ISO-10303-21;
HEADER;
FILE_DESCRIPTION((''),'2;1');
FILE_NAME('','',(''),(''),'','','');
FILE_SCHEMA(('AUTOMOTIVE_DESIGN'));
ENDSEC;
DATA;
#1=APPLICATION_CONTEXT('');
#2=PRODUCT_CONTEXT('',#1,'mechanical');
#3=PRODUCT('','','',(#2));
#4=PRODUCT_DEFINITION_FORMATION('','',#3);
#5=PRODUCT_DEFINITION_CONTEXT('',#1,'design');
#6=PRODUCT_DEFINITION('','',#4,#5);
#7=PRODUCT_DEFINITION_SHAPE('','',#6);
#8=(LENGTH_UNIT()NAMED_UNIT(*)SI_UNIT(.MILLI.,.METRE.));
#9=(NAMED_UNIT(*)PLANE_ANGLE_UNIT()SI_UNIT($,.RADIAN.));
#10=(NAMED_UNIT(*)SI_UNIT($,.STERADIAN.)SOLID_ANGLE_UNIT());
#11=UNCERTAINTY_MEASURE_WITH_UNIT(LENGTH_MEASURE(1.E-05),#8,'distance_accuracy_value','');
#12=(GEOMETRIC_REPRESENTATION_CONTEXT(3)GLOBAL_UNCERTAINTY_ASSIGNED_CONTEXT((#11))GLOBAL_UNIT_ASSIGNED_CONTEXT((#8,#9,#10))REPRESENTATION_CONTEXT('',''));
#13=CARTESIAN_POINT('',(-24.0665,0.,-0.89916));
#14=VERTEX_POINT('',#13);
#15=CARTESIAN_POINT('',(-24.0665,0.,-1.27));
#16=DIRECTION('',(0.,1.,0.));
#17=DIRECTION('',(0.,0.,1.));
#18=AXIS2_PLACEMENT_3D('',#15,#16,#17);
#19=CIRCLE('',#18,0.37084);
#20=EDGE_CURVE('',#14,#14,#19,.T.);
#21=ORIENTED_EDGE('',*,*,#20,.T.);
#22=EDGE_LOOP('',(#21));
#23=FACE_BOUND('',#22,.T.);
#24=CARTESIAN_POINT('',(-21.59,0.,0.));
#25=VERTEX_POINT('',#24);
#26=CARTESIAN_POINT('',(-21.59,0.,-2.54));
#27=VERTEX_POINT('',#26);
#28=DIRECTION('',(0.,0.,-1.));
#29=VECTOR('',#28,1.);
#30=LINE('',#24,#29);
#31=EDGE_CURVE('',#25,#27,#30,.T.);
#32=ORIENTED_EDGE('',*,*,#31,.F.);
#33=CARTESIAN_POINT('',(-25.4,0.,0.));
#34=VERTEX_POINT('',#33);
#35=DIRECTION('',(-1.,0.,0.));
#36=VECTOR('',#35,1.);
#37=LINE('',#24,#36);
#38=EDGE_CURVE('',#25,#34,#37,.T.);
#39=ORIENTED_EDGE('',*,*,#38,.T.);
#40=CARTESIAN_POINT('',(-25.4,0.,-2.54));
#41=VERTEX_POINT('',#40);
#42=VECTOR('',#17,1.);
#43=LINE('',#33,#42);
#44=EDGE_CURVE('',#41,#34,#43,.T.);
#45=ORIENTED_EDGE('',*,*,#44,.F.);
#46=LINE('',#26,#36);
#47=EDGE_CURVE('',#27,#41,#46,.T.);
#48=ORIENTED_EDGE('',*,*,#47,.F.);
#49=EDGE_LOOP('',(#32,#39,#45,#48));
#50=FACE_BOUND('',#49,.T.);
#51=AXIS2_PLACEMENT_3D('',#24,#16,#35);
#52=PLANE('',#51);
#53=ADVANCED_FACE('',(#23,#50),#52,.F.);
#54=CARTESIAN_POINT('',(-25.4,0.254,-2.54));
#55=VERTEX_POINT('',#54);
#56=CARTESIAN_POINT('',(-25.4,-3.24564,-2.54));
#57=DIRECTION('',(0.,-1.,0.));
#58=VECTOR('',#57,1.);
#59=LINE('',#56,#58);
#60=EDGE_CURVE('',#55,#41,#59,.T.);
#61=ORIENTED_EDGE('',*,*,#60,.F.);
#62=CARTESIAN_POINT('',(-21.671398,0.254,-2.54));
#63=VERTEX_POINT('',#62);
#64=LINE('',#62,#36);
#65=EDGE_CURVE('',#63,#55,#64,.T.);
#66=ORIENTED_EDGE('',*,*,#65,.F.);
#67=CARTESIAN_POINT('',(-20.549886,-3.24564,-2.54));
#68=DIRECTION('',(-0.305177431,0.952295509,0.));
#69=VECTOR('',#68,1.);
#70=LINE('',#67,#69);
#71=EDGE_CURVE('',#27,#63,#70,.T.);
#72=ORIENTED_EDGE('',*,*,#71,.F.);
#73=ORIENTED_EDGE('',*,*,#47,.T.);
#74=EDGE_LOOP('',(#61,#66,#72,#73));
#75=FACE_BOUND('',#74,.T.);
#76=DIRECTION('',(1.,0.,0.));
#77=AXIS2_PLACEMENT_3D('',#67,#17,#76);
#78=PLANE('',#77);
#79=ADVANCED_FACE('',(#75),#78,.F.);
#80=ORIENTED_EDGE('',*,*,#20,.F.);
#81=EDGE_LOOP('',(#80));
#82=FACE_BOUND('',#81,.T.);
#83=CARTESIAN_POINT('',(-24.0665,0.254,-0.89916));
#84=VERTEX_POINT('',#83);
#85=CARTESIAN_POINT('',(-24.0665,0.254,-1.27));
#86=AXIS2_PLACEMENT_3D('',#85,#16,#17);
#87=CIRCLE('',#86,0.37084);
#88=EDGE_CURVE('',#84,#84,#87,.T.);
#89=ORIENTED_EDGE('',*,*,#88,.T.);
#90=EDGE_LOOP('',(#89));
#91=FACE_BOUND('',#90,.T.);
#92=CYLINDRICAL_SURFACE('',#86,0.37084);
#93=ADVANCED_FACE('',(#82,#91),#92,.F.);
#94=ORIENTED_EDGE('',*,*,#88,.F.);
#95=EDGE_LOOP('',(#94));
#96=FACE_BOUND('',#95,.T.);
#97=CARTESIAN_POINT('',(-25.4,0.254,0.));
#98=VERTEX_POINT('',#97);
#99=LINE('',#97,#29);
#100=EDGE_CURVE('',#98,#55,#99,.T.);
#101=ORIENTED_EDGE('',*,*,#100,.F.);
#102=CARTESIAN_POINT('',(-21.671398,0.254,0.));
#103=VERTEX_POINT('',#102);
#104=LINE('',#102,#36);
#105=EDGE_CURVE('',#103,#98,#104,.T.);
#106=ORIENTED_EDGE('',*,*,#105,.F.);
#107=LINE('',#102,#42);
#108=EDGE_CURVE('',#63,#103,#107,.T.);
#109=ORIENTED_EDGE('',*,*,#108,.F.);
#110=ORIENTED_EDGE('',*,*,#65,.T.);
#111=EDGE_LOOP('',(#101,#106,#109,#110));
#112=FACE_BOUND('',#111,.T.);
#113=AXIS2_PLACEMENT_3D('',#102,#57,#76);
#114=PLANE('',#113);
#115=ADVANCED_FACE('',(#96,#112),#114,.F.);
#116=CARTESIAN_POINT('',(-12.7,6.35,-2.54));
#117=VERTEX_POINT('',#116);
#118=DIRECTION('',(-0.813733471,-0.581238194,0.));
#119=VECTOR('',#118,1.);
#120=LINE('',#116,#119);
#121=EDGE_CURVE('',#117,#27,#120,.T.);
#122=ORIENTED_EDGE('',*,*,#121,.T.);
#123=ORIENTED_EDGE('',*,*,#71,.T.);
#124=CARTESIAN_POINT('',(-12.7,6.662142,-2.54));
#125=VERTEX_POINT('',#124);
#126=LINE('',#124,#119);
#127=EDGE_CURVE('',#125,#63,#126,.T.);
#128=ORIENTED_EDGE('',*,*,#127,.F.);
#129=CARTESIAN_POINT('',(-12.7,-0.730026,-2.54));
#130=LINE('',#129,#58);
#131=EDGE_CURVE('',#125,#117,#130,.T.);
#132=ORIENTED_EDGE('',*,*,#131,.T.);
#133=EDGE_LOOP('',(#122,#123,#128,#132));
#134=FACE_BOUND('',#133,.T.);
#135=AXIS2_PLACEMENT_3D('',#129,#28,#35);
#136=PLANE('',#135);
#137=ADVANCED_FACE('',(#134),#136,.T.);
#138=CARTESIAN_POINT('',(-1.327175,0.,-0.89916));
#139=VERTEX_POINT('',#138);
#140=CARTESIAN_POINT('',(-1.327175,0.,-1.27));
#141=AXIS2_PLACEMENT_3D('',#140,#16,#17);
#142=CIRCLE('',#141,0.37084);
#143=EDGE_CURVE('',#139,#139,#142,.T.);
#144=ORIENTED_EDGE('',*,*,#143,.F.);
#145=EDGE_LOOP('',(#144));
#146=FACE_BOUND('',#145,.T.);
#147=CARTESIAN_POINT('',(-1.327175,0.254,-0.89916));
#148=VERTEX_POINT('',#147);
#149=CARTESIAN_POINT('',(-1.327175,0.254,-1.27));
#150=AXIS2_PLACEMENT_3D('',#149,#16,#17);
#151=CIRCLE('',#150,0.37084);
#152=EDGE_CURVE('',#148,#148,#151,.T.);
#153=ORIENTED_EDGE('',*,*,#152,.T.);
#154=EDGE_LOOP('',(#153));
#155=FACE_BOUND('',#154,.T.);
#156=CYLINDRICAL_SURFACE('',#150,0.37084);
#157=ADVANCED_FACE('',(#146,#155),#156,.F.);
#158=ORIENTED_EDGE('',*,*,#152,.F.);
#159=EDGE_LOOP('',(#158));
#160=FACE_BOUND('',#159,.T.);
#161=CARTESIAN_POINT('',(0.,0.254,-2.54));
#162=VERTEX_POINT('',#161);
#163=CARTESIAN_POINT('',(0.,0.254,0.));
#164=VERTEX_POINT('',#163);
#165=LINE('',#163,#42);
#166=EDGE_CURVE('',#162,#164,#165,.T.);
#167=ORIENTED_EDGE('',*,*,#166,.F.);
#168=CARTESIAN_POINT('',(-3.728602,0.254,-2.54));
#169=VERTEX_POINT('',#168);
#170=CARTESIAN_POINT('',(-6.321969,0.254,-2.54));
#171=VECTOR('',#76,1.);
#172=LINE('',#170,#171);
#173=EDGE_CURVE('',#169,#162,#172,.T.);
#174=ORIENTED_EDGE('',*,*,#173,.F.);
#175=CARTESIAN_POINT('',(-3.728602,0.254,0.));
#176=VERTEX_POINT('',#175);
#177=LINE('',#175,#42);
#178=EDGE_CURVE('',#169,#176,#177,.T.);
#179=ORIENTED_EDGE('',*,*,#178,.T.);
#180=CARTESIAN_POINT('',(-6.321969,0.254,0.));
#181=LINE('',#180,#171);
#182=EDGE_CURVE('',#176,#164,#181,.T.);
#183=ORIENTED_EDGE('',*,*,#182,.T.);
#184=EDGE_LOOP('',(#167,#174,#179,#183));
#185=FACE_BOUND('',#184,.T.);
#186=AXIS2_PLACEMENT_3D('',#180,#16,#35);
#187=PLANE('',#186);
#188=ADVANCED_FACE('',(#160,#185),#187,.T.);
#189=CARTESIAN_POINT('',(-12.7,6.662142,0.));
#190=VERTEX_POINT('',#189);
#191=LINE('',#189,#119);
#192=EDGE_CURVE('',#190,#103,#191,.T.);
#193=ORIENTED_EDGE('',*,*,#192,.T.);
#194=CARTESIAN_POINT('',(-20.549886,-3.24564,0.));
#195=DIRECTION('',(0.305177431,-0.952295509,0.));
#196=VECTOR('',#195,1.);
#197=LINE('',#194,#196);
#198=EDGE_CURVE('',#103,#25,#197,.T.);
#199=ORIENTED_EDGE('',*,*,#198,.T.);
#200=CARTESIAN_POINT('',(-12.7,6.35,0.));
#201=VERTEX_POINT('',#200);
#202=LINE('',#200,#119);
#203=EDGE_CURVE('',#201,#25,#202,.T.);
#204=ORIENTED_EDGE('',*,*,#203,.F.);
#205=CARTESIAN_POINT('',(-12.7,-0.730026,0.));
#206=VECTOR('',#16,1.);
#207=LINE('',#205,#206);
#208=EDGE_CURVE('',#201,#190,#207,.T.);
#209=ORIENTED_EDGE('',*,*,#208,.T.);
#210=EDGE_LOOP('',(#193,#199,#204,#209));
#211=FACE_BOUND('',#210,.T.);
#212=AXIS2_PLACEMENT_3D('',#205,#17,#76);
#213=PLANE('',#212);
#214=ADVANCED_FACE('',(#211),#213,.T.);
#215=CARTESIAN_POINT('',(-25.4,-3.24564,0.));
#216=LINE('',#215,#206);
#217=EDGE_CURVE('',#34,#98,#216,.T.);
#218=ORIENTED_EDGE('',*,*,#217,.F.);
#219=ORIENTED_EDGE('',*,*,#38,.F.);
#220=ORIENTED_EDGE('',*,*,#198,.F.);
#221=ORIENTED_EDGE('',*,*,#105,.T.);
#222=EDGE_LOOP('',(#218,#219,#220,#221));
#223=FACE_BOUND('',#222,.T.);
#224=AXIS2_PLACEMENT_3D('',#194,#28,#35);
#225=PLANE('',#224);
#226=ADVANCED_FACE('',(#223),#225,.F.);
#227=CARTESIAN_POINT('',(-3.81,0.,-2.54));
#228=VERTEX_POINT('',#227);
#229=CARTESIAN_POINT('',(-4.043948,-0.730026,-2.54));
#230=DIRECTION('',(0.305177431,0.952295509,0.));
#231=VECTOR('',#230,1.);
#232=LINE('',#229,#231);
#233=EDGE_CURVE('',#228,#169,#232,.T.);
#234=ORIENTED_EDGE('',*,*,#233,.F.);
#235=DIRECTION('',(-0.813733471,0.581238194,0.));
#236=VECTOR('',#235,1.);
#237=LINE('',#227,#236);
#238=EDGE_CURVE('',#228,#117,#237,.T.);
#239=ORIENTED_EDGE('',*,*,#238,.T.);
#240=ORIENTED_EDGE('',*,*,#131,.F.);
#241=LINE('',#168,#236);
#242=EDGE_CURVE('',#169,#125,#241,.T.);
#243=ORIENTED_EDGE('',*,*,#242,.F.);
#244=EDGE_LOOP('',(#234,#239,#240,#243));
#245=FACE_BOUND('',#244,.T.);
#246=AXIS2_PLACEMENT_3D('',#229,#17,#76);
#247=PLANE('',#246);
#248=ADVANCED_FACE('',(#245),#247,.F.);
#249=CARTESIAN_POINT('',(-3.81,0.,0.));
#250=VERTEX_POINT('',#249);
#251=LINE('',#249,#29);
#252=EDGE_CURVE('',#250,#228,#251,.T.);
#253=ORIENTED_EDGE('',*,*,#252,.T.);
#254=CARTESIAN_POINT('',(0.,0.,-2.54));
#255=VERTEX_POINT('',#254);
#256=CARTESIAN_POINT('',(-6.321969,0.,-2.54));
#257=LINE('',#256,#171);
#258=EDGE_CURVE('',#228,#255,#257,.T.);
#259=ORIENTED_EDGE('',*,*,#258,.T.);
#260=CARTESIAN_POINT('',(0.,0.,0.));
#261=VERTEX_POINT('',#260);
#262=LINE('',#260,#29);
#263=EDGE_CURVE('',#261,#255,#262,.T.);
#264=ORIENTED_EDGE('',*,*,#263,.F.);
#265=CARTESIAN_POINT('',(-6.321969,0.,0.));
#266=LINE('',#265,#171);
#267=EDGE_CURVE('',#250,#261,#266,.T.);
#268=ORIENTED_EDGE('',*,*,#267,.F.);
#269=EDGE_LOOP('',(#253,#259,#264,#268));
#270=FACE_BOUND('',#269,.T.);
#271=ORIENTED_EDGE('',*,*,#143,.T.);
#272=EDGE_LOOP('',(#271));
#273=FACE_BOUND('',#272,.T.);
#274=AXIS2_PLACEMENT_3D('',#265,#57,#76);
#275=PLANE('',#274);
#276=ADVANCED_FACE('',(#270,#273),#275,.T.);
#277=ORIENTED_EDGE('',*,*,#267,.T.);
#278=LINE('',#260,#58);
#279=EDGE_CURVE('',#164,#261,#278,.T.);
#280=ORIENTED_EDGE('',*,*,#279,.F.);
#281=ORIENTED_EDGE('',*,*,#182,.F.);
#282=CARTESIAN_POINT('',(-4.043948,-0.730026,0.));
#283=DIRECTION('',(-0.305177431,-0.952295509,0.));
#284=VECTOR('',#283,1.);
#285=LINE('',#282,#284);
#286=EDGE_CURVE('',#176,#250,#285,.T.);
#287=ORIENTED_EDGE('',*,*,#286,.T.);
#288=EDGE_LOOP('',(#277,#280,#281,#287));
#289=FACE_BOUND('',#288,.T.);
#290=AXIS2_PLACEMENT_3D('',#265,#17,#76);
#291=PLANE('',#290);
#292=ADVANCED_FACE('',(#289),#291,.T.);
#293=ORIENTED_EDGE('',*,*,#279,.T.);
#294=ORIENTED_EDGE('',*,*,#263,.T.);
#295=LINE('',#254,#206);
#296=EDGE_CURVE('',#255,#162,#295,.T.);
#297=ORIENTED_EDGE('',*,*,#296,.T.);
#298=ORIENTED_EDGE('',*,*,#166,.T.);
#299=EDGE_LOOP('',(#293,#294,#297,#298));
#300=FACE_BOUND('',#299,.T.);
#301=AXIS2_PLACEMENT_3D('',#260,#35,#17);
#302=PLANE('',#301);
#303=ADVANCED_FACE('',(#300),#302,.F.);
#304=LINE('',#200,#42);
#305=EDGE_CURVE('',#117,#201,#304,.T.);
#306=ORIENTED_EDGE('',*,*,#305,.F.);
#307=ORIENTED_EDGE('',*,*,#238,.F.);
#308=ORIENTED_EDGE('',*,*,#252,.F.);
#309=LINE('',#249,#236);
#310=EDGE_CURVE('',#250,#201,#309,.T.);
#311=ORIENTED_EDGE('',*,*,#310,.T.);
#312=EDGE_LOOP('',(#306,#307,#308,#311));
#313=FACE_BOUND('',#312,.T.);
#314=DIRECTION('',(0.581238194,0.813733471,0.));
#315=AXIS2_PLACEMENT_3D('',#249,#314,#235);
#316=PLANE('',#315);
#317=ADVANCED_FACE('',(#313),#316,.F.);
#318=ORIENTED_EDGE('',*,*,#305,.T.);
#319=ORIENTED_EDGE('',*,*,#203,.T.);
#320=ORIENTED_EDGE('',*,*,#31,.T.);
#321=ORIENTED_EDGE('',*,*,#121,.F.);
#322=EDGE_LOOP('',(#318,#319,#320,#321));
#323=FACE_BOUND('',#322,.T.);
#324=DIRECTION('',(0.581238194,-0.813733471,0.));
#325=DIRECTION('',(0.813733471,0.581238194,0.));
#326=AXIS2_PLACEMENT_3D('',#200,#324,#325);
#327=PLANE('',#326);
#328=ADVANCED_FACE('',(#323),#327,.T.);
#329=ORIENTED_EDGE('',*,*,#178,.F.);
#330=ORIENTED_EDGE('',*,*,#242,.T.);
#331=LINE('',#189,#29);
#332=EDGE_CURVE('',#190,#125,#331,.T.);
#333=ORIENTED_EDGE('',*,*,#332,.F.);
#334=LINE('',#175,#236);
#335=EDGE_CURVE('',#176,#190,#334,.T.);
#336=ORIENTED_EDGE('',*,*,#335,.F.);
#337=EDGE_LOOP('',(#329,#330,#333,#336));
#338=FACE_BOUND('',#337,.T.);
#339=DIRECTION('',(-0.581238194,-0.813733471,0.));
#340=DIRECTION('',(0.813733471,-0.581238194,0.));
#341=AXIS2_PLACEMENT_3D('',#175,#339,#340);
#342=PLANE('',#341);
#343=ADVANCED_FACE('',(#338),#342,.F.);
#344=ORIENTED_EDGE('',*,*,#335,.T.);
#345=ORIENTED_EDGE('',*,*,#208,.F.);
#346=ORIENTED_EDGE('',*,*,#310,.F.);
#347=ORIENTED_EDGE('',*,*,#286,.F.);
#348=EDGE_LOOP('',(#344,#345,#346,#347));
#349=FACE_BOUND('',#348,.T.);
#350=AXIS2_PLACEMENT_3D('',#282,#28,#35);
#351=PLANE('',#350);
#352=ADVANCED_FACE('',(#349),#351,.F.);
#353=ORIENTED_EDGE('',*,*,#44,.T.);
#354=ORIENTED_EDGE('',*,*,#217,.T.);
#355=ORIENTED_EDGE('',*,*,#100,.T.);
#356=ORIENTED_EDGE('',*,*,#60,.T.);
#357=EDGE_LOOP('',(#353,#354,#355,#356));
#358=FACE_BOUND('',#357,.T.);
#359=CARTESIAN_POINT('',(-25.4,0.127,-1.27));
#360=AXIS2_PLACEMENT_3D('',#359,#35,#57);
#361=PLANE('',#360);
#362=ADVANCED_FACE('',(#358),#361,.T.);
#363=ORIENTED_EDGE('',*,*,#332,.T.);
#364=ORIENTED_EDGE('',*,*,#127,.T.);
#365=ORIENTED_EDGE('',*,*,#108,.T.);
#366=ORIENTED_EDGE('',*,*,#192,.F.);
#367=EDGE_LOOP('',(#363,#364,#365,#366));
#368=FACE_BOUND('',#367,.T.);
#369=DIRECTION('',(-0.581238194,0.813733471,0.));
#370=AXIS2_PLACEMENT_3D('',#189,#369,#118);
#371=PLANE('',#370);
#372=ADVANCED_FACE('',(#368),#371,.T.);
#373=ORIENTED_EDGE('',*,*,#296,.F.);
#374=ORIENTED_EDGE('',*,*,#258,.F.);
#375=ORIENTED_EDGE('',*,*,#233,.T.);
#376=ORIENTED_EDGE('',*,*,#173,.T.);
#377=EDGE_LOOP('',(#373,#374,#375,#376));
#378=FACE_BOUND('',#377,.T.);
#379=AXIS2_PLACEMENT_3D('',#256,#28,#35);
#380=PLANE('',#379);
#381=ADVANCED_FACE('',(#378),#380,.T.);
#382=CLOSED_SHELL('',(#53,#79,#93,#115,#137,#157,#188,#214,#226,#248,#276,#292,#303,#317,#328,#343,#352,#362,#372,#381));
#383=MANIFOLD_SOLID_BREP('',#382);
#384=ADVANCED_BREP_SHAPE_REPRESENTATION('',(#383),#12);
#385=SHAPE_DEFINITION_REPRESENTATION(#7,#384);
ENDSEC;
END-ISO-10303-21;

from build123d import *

# Parameters (mm, degrees)
SKETCH3_W                    = 2.54
SKETCH3_H                    = 0.254
F_69_0_0292_DIAMETER_HOLE1_D = 0.74168


with BuildPart() as part:
    # Sweep1: sweep along a path in Sketch2
    with BuildLine(Plane.XY) as sweep1_path:
        Line((0, 0), (-3.81, 0))
        Line((-3.81, 0), (-12.7, 6.35))
        Line((-12.7, 6.35), (-21.59, 0))
        Line((-21.59, 0), (-25.4, 0))
    # Sketch3 → Sweep1 (sweep)
    with BuildSketch(Plane(origin=(0, 0, 0), x_dir=(0, 0, -1), z_dir=(1, 0, 0))):
        with Locations((1.27, 0.127)):
            Rectangle(SKETCH3_W, SKETCH3_H)
    sweep(path=sweep1_path.line, transition=Transition.RIGHT)

    # #69 (0.0292) Diameter Hole1 (through all)
    with Locations(Plane(origin=(0, 0.254, 0), x_dir=(1, 0, 0), z_dir=(0, 1, 0))):
        with Locations((-24.0665, 1.27), (-1.3271754, 1.27)):
            Hole(F_69_0_0292_DIAMETER_HOLE1_D / 2)


solid = part.part
